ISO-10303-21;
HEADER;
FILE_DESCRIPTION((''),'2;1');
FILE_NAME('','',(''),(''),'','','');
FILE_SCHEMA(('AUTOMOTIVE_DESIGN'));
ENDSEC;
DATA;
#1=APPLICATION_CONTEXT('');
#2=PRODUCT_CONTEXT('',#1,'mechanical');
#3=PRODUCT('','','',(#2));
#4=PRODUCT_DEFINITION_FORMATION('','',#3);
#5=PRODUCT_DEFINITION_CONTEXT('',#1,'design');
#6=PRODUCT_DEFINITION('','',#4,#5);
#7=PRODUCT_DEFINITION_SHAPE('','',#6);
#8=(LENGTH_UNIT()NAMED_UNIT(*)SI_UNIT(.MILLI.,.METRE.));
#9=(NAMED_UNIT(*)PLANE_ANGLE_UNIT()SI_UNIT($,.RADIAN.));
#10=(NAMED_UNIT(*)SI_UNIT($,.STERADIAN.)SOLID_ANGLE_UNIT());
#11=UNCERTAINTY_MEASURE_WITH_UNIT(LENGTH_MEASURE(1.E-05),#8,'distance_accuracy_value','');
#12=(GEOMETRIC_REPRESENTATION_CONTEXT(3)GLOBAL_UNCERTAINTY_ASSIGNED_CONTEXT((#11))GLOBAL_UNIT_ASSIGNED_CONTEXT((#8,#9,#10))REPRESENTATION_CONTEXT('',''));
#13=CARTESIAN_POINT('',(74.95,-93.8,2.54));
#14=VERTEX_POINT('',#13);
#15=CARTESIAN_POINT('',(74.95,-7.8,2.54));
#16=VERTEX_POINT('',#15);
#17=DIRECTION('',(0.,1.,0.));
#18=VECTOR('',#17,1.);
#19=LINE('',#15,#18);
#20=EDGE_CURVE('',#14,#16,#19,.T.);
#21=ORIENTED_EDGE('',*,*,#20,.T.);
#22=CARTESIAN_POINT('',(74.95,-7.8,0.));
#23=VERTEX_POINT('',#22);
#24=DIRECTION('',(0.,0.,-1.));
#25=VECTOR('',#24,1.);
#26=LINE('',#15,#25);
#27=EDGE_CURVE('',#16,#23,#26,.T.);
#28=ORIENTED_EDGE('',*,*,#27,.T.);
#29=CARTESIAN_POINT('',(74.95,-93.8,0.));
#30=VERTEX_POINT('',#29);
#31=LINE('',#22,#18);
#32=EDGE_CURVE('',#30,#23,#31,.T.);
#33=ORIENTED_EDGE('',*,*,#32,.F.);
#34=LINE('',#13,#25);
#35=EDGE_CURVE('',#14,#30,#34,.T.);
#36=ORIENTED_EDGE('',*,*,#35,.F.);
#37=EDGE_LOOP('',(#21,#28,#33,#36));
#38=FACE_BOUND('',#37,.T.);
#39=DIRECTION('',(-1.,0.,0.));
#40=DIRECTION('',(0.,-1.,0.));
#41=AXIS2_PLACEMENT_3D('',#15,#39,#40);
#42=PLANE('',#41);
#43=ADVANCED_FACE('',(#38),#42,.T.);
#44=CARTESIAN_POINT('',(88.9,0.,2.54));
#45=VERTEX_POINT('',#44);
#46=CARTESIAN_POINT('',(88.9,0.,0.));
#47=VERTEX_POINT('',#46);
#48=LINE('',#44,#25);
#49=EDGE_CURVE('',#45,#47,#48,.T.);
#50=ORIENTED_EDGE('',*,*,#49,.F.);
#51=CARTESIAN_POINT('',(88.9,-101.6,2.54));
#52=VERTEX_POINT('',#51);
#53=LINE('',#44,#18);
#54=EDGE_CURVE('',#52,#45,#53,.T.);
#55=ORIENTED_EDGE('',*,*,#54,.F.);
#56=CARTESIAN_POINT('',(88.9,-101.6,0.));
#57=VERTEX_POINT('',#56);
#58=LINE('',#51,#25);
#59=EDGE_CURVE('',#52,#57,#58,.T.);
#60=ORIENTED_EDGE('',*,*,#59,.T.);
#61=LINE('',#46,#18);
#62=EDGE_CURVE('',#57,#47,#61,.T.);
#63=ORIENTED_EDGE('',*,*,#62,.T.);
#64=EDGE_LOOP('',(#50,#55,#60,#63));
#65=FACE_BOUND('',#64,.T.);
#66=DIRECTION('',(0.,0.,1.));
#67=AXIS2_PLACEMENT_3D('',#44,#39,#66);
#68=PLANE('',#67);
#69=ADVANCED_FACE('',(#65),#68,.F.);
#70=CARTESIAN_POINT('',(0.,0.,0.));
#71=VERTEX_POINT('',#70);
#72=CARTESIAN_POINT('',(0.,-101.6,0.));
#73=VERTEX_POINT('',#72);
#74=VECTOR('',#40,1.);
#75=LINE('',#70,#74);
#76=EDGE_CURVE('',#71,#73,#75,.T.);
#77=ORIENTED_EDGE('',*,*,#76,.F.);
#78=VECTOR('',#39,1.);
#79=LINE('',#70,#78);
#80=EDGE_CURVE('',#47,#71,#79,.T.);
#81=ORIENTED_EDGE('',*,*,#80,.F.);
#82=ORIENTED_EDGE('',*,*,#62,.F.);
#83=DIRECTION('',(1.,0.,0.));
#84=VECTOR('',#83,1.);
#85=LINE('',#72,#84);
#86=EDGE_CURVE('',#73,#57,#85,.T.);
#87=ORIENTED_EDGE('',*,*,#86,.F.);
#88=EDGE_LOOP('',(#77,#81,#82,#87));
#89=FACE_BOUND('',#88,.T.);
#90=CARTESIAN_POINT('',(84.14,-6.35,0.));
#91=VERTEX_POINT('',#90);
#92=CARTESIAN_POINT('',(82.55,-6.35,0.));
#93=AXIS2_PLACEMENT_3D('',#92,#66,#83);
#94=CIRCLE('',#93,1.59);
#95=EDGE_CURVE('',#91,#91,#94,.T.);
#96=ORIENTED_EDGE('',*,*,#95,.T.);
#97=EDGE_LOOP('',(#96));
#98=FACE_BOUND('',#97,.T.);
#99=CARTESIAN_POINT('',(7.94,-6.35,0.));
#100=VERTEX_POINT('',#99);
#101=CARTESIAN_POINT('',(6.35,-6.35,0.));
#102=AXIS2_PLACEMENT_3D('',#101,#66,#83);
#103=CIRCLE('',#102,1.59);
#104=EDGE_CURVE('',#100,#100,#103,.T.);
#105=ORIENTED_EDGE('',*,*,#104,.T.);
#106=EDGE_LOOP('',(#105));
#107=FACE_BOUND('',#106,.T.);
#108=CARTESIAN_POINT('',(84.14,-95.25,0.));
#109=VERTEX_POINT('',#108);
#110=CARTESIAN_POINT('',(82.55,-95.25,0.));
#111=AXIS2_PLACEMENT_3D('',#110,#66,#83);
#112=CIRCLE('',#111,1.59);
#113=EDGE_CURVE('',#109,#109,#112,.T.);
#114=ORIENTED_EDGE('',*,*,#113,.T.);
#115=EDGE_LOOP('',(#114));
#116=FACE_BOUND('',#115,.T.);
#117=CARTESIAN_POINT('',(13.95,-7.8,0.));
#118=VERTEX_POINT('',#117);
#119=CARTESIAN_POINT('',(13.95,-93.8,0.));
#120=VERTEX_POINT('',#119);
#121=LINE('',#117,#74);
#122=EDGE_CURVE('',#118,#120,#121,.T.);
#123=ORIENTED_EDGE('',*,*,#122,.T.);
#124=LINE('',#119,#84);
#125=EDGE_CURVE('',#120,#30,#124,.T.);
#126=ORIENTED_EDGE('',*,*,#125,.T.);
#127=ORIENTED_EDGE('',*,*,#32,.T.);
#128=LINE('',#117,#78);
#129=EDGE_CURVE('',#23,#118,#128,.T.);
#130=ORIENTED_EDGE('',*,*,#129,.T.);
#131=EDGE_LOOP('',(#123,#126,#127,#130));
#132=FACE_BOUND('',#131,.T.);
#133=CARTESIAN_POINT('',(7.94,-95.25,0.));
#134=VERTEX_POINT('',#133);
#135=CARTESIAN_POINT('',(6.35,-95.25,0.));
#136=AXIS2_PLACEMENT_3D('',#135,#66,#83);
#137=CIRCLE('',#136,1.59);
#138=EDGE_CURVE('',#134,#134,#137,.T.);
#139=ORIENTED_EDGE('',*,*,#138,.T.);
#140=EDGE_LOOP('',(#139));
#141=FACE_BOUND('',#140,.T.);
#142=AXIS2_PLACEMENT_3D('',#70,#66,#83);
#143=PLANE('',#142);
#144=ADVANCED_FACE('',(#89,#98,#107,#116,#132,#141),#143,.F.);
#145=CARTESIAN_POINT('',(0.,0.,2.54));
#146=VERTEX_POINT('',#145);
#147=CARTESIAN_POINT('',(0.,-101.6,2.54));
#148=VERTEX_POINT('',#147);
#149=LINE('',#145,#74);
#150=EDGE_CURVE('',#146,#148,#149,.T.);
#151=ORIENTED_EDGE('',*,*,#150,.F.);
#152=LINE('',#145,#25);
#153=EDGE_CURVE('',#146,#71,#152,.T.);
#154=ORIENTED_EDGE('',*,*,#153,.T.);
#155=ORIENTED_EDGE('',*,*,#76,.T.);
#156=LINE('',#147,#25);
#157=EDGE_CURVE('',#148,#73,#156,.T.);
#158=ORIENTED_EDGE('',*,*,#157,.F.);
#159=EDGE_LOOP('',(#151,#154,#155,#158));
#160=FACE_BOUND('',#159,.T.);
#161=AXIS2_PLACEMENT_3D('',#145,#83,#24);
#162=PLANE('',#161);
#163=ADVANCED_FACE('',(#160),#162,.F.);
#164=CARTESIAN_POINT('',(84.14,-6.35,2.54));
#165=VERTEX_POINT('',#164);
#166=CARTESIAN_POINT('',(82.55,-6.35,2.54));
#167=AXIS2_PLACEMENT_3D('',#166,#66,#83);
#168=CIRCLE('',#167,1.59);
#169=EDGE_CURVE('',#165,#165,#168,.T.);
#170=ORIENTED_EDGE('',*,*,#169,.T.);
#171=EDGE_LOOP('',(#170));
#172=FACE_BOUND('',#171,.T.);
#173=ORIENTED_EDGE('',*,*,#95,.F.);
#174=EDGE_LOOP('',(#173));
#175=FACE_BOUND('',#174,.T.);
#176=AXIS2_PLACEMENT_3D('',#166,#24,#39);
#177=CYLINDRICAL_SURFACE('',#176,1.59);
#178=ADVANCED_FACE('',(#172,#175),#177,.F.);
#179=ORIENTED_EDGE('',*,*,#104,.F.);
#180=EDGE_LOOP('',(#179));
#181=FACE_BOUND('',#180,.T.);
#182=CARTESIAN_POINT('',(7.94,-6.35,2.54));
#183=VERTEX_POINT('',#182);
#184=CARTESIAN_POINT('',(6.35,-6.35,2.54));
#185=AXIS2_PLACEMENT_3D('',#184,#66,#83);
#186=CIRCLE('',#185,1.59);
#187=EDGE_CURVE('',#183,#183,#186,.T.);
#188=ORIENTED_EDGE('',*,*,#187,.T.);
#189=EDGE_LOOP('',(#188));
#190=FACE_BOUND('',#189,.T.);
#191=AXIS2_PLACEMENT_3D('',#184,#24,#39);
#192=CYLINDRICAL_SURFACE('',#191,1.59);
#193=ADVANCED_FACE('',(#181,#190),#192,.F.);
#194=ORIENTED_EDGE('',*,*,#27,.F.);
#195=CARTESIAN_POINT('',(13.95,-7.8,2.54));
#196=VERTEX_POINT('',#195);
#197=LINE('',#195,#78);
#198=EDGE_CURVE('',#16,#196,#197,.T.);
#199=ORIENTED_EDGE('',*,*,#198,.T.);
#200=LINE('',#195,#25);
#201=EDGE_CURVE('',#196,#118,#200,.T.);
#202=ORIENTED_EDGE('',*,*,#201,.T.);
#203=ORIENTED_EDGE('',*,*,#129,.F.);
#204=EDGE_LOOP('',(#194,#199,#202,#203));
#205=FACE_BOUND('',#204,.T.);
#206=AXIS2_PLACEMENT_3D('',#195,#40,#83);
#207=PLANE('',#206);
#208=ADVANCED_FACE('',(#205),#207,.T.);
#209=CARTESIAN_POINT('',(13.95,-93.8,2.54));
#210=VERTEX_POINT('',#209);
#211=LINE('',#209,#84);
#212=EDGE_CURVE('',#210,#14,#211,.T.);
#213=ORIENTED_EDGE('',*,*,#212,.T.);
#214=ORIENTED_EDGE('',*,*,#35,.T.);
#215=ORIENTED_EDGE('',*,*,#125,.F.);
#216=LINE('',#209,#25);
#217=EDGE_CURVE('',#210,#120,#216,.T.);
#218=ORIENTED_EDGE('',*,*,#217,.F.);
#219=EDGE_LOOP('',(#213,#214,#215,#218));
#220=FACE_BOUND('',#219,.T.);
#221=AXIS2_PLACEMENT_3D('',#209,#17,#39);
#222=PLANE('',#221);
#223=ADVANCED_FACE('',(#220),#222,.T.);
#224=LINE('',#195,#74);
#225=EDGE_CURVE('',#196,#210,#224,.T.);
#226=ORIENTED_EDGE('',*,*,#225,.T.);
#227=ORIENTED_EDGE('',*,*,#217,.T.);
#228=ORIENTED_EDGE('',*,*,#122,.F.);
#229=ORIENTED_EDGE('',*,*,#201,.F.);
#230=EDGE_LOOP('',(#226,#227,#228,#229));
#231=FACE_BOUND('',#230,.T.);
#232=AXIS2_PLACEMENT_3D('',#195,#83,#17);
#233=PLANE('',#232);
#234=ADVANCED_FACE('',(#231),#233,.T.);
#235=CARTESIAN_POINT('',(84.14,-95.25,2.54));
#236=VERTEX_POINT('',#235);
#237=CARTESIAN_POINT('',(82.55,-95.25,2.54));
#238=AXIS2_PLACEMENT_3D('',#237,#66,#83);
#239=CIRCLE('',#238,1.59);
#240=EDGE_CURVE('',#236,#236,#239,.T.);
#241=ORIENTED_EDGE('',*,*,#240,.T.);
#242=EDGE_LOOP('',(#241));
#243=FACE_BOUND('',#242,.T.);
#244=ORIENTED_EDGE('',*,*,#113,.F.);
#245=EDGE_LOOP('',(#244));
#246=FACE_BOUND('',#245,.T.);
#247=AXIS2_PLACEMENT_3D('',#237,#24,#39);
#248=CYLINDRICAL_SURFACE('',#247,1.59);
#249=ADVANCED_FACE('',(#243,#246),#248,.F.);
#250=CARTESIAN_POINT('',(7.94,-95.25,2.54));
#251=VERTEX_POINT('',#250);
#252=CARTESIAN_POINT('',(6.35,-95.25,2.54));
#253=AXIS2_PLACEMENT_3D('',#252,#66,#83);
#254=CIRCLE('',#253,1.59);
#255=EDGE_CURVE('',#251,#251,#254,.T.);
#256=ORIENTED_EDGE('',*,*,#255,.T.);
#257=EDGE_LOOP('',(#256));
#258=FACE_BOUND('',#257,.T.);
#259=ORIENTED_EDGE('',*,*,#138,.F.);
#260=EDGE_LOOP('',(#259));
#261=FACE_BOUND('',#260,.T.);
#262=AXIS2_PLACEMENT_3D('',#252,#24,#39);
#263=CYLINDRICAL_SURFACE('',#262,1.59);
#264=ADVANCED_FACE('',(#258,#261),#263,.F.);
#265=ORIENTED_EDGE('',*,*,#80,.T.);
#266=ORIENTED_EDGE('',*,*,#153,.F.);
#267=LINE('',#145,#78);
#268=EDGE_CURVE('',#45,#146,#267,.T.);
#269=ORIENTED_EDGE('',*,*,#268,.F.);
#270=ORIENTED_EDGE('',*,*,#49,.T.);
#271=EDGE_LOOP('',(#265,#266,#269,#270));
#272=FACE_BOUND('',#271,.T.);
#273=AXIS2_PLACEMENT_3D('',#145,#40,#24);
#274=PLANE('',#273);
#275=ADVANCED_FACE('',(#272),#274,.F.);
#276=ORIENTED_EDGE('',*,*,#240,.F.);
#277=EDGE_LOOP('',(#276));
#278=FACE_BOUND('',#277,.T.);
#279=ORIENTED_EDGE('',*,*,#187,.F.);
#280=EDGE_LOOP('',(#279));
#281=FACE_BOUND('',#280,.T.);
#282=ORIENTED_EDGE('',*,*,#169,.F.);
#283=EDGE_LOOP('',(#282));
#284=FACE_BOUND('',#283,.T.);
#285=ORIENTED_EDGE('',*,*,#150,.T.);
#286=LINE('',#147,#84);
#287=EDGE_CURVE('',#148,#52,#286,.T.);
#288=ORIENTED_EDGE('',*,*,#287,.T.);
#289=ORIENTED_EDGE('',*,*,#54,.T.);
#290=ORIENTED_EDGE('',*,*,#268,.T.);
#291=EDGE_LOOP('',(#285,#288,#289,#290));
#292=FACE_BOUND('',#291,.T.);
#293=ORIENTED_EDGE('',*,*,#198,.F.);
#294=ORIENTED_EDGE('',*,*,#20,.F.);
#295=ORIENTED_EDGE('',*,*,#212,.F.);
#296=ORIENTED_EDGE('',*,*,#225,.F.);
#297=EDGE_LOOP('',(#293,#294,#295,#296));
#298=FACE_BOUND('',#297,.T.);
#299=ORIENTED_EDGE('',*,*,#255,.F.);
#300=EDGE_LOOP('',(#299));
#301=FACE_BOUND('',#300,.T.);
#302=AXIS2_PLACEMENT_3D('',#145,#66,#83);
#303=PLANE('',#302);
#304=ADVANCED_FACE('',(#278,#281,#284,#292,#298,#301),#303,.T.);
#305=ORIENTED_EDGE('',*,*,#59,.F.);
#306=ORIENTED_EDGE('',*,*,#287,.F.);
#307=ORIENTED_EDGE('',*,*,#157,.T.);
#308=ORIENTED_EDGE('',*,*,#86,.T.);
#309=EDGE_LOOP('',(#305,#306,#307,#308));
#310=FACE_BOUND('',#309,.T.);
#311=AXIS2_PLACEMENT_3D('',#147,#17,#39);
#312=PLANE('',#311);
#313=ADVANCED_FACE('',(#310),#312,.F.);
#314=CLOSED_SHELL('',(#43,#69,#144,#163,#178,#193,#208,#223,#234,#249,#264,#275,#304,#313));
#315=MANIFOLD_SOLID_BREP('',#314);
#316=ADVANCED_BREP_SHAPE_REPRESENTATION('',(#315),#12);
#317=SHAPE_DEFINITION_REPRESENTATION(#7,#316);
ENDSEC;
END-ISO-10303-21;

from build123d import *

# Parameters (mm, degrees)
SKETCH1_W           = 88.9
SKETCH1_H           = 101.6
SKETCH1_R           = 1.59
SKETCH1_W_2         = 61
SKETCH1_H_2         = 86
BOSS_EXTRUDE1_DEPTH = 2.54


with BuildPart() as part:
    # Sketch1 → Boss-Extrude1 (new body)
    with BuildSketch(Plane.XY):
        with Locations((44.45, -50.8)):
            Rectangle(SKETCH1_W, SKETCH1_H)
        with Locations((6.35, -6.35)):
            Circle(SKETCH1_R, mode=Mode.SUBTRACT)
        with Locations((82.55, -6.35)):
            Circle(SKETCH1_R, mode=Mode.SUBTRACT)
        with Locations((6.35, -95.25)):
            Circle(SKETCH1_R, mode=Mode.SUBTRACT)
        with Locations((82.55, -95.25)):
            Circle(SKETCH1_R, mode=Mode.SUBTRACT)
        with Locations((44.45, -50.8)):
            Rectangle(SKETCH1_W_2, SKETCH1_H_2, mode=Mode.SUBTRACT)
    extrude(amount=BOSS_EXTRUDE1_DEPTH)


solid = part.part
